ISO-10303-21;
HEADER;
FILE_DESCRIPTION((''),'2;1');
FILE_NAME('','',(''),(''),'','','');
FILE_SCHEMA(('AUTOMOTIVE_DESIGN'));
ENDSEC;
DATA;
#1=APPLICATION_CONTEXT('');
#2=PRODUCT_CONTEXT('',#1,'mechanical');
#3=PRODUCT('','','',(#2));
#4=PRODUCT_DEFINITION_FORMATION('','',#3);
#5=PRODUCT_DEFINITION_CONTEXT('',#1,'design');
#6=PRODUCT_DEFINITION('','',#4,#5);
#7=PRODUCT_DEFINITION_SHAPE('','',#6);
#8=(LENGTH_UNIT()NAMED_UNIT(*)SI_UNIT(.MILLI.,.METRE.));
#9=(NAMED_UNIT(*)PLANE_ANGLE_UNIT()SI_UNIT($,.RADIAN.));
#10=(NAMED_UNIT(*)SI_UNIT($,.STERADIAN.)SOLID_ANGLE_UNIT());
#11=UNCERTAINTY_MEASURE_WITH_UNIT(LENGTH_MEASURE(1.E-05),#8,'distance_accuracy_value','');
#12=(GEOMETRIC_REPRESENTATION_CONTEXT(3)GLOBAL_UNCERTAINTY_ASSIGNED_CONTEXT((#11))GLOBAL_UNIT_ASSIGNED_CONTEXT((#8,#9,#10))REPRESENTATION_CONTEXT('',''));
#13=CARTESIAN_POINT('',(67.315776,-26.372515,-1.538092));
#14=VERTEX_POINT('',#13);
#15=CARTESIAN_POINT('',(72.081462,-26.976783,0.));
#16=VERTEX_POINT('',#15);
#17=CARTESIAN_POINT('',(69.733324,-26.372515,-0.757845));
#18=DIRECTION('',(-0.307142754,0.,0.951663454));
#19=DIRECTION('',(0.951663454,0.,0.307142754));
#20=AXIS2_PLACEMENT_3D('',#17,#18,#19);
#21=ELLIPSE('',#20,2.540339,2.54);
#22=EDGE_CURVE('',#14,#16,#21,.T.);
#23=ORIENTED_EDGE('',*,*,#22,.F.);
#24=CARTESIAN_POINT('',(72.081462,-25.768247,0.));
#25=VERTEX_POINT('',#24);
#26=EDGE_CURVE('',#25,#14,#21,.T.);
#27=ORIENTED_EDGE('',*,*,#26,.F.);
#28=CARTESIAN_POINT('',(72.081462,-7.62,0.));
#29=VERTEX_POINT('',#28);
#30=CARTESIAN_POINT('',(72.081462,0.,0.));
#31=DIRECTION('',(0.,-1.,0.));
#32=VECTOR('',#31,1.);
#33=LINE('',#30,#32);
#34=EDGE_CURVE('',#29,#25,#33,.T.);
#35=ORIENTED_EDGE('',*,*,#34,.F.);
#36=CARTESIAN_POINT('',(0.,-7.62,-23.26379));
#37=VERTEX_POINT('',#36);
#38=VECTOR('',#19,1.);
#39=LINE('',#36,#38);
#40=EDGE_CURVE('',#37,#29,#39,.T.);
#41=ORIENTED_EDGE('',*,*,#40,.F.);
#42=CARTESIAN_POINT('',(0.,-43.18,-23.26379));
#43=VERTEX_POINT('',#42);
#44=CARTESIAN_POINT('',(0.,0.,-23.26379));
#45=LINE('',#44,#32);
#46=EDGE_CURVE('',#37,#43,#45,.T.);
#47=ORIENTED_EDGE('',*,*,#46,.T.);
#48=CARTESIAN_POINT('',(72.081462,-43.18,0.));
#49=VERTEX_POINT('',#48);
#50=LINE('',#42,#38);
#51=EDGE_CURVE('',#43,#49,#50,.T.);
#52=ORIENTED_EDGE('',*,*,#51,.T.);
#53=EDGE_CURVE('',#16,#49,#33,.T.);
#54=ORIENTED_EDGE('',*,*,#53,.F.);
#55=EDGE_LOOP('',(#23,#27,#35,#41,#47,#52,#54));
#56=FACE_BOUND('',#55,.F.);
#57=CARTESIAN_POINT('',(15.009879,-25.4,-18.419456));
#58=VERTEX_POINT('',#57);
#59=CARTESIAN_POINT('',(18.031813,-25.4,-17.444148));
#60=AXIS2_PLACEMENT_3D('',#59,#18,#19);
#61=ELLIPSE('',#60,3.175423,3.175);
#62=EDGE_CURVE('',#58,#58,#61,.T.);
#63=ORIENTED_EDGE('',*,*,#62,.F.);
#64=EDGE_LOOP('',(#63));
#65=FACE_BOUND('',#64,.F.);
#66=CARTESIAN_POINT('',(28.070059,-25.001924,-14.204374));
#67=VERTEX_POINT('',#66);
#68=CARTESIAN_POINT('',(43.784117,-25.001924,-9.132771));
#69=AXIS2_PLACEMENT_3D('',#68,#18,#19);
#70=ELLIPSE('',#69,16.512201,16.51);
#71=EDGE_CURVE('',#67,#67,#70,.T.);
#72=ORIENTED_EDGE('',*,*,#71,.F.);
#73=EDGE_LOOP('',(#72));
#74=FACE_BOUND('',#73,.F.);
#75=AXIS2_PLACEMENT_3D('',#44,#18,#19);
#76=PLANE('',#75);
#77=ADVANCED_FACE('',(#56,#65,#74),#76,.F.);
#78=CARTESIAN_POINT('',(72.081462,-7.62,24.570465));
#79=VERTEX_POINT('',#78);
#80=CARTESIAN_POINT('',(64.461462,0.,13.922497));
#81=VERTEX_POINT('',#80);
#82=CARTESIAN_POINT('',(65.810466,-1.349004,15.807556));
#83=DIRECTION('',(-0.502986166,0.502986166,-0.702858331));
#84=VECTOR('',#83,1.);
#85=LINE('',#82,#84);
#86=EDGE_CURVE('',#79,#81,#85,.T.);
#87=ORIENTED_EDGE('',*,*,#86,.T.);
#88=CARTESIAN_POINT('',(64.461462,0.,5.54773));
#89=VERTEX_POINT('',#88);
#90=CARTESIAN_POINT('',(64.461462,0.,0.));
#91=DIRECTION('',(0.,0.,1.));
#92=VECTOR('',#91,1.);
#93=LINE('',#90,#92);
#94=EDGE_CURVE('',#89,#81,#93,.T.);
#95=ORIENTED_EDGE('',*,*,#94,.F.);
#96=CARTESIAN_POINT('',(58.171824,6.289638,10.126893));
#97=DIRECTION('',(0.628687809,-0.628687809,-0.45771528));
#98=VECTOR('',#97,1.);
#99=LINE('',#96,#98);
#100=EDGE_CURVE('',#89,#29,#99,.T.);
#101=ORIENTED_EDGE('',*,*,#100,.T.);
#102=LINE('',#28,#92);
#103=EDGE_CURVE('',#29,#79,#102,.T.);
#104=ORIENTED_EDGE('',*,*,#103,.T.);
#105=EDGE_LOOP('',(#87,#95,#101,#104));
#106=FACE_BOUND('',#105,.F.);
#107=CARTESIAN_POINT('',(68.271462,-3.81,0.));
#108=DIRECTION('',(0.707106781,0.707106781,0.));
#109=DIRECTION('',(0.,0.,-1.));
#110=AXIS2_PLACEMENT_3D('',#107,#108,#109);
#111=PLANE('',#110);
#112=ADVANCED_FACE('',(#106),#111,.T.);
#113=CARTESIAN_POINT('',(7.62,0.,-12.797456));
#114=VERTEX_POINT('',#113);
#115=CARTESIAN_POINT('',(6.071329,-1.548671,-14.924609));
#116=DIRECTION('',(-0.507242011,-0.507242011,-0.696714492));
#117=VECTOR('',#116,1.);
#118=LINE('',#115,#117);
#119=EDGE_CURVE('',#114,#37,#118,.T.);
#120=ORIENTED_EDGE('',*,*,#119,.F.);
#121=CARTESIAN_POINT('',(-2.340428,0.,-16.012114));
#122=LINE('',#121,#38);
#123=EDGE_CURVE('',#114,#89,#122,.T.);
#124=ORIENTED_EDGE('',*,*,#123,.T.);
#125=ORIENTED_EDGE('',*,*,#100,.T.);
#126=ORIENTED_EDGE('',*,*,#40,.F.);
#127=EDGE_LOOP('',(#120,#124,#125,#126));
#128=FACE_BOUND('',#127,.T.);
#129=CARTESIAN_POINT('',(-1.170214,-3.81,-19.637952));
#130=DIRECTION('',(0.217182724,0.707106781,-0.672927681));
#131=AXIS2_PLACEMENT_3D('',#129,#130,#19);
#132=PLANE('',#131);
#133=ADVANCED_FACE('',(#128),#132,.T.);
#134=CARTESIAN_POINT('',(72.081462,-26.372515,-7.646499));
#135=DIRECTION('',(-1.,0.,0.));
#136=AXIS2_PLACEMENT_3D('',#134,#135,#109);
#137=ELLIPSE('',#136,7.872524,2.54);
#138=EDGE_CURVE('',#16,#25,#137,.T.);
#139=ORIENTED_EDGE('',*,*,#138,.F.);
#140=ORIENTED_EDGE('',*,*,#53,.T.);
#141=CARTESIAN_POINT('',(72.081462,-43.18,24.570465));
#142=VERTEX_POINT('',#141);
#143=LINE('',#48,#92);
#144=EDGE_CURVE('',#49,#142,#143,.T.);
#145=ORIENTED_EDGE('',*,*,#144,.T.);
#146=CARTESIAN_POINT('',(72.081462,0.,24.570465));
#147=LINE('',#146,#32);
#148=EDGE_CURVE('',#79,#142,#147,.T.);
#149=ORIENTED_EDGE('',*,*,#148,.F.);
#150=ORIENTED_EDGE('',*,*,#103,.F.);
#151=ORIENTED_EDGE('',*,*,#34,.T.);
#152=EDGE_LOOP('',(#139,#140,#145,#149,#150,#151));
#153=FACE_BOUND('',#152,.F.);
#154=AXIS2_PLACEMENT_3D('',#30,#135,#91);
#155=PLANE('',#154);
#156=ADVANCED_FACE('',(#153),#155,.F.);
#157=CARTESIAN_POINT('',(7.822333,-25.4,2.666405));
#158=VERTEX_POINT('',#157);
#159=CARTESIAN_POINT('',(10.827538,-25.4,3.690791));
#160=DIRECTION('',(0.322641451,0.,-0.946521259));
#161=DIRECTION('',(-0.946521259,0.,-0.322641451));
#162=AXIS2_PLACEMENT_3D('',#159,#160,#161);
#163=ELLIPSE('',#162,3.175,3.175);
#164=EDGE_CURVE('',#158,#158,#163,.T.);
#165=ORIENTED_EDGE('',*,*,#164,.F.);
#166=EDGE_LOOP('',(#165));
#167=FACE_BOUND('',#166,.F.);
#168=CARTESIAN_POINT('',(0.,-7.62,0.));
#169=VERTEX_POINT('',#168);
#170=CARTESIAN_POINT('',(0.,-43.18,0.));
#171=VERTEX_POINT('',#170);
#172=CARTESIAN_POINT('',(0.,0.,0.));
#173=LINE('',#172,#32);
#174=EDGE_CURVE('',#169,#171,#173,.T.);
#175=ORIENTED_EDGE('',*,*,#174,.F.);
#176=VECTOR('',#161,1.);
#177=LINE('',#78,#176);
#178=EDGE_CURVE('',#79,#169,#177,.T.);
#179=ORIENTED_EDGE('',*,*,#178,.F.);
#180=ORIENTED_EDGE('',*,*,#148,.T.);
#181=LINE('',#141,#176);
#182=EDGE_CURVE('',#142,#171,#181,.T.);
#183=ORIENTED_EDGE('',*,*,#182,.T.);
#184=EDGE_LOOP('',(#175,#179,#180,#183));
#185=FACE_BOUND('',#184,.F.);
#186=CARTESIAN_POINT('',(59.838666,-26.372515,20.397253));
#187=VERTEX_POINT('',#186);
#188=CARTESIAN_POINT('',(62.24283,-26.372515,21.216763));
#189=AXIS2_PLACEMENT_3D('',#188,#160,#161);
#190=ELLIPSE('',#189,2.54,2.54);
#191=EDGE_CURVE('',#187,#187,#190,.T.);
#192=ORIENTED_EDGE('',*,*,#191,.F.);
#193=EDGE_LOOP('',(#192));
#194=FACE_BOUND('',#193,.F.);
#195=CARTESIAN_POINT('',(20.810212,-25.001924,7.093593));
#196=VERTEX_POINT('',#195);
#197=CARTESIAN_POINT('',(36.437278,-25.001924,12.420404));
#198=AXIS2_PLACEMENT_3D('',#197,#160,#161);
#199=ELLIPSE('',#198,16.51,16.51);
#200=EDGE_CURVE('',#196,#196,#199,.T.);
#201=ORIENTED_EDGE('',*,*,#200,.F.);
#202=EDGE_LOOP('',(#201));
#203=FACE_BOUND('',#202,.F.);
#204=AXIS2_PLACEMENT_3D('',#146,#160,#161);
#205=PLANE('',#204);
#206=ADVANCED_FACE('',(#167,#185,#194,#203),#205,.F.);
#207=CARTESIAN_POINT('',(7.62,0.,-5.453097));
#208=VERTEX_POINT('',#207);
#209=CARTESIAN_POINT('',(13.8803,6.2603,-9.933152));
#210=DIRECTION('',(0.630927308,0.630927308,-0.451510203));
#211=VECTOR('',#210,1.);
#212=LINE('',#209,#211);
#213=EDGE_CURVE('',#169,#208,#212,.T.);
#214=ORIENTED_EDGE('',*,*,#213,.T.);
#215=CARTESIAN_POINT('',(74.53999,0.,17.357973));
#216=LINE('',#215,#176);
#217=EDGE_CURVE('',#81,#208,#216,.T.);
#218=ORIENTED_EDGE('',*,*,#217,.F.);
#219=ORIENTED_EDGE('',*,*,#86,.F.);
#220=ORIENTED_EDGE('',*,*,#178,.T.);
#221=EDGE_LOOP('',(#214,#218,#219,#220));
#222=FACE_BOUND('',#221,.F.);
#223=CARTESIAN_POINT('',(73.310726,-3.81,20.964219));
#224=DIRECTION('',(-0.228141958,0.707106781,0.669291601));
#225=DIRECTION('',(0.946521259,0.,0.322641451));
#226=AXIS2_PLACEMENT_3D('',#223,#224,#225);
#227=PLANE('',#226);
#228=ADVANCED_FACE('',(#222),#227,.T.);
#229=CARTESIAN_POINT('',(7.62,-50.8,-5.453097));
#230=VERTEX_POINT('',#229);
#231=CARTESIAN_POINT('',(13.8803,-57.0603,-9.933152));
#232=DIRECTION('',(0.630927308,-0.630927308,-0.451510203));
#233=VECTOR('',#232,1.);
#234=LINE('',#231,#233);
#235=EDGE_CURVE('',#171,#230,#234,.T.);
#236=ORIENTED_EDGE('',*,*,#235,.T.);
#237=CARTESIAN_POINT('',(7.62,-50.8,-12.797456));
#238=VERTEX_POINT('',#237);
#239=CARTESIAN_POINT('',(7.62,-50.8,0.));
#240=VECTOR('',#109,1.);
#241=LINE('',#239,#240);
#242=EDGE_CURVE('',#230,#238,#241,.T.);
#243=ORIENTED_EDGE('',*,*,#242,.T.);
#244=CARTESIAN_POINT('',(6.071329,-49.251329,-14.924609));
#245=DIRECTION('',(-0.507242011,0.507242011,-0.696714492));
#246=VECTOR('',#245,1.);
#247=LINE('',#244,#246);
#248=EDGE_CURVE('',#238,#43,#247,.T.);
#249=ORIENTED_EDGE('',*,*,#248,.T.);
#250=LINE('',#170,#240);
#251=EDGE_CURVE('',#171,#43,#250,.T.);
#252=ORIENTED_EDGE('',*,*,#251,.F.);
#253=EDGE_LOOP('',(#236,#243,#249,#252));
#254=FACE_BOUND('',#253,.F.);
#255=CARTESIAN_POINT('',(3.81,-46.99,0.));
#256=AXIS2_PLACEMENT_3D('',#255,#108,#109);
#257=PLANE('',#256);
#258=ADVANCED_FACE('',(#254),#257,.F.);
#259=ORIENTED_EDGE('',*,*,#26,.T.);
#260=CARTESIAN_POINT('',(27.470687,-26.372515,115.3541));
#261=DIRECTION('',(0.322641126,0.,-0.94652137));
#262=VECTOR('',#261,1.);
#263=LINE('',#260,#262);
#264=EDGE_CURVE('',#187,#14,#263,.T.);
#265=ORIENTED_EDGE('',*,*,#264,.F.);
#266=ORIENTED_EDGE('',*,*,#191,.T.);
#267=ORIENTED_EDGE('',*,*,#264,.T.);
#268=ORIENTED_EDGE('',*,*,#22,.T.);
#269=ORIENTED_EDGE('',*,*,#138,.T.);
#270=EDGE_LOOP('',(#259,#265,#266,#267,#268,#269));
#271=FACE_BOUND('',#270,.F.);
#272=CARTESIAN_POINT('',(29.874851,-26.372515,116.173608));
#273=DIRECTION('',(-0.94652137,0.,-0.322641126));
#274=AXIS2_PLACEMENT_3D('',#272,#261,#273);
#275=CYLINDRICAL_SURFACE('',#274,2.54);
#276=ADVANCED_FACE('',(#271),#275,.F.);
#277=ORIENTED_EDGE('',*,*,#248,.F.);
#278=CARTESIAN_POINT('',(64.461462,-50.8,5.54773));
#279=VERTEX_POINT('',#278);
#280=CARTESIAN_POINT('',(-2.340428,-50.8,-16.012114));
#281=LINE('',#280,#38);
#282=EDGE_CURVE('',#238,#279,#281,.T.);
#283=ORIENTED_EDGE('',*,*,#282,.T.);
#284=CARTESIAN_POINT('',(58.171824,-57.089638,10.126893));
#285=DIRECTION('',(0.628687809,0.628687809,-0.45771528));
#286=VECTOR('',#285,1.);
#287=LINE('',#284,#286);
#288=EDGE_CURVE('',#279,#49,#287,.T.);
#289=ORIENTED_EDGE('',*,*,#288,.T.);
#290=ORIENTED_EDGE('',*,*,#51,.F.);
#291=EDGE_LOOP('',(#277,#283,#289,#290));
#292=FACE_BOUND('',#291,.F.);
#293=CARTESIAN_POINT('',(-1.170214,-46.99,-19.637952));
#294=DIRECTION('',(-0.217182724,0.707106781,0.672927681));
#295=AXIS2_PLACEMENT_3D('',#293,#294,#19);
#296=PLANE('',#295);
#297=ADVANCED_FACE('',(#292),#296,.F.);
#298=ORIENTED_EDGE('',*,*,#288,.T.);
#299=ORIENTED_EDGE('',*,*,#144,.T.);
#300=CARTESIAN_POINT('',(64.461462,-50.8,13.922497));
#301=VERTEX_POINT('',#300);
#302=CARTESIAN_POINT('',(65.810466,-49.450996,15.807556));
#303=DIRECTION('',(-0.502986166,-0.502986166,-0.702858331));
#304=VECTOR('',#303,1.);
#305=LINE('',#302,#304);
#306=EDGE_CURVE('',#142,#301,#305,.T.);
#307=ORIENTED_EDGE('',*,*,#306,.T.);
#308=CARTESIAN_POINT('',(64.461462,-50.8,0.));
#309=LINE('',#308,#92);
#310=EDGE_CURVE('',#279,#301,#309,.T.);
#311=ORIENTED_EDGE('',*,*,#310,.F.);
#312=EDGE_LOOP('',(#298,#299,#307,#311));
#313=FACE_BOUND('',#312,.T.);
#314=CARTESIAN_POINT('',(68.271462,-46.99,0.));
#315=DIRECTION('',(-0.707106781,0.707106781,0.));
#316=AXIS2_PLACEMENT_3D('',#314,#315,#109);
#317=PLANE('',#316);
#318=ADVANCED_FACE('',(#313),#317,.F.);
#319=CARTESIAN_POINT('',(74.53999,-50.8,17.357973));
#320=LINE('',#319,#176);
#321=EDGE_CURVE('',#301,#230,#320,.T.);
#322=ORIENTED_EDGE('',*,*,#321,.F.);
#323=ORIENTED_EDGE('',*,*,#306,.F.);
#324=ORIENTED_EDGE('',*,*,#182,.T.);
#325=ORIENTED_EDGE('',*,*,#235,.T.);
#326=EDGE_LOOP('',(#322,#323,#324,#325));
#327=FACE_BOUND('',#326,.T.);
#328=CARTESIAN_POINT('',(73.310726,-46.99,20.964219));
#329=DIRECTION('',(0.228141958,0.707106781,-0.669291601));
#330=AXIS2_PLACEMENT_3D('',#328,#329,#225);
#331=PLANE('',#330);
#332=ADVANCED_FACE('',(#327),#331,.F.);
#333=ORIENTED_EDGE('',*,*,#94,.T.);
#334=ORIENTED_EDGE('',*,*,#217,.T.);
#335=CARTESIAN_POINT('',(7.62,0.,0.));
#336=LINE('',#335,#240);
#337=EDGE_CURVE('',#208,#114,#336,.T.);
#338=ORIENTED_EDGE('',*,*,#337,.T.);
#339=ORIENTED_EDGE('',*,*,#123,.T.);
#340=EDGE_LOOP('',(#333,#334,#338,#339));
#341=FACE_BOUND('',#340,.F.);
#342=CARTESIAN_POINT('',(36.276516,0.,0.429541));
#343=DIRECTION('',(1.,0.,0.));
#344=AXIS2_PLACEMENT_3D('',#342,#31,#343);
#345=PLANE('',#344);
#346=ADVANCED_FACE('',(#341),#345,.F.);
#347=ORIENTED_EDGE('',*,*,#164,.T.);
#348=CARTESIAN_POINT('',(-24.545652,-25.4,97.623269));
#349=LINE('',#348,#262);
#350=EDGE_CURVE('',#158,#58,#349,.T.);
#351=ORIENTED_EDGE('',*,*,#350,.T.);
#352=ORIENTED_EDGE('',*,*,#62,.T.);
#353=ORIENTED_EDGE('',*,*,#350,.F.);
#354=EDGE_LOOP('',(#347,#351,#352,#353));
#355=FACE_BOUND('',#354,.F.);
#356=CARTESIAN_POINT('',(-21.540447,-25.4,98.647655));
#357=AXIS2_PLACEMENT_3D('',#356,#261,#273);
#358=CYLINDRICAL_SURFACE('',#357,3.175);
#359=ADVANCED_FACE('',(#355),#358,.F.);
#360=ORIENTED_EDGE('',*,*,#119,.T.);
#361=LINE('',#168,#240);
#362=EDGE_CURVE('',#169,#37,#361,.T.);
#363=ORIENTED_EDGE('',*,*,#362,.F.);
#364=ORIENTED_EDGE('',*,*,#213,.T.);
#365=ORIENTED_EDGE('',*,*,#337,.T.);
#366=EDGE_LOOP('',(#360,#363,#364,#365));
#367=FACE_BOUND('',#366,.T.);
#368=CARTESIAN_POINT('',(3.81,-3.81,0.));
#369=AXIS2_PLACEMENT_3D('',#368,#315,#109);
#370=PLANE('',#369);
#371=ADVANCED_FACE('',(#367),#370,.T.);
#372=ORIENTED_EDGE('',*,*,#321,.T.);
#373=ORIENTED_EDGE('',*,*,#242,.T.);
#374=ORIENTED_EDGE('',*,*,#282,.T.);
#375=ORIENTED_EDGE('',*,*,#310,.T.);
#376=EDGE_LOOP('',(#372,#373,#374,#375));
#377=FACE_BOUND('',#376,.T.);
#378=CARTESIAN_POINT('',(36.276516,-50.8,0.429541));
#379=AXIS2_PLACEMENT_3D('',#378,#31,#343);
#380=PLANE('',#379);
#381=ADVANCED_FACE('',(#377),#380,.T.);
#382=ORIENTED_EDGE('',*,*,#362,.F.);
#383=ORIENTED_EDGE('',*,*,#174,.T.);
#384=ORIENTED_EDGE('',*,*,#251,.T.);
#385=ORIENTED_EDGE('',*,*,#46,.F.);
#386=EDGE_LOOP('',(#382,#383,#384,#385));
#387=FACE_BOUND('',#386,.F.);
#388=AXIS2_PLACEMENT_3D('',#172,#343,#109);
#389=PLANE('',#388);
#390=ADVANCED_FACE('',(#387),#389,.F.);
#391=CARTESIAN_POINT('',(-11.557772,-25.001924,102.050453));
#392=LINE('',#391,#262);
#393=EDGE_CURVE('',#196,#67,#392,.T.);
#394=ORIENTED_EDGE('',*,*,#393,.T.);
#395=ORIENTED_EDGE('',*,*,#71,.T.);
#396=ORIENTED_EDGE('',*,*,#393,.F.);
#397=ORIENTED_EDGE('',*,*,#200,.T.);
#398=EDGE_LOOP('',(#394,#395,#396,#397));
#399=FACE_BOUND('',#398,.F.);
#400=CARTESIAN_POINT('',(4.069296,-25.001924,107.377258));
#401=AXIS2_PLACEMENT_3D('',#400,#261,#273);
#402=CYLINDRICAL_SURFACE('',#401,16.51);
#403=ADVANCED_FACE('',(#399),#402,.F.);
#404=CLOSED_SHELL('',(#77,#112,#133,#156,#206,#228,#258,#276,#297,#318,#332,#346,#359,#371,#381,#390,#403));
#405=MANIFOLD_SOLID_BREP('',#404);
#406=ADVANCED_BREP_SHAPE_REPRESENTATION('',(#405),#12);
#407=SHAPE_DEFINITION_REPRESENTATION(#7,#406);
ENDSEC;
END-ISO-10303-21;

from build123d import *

# Parameters (mm, degrees)
F1_DEPTH = 50.8
F3_D     = 33.02
F4_SIZE  = 7.62
F5_SIZE  = 7.62
F7_D     = 5.08
F9_D     = 6.35


with BuildPart() as f1:
    # F0 (on Front) → F1 (new body)
    with BuildSketch(Plane.XZ):
        Polygon((72.081462, 24.570465), (0, 0), (0, -23.26379), (72.081462, 0), align=None)
    extrude(amount=F1_DEPTH)

    # F3 (through all)
    with Locations(Plane(origin=(0, 0, 0), x_dir=(0.946521, 0, 0.322641), z_dir=(-0.322641, 0, 0.946521))):
        with Locations((38.495995, -25.001924)):
            Hole(F3_D / 2)

    # F4
    f4_edges = [f1.edges().sort_by_distance(p)[0] for p in [
        (36.040731, -50.8, -11.631895),
        (72.081462, -50.8, 12.285233),
        (36.040731, -50.8, 12.285233),
        (0, -50.8, -11.631895),
    ]]
    chamfer(f4_edges, length=F4_SIZE)

    # F5
    f5_edges = [f1.edges().sort_by_distance(p)[0] for p in [
        (36.040731, 0, -11.631895),
        (72.081462, 0, 12.285233),
        (36.040731, 0, 12.285233),
        (0, 0, -11.631895),
    ]]
    chamfer(f5_edges, length=F5_SIZE)

    # F7 (through all)
    with Locations(Plane(origin=(0, 0, 0), x_dir=(0.946521, 0, 0.322641), z_dir=(-0.322641, 0, 0.946521))):
        with Locations((65.759569, -26.372515)):
            Hole(F7_D / 2)

    # F9 (through all)
    with Locations(Plane(origin=(0, 0, 0), x_dir=(0.946521, 0, 0.322641), z_dir=(-0.322641, 0, 0.946521))):
        with Locations((11.439297, -25.4)):
            Hole(F9_D / 2)


solid = f1.part
